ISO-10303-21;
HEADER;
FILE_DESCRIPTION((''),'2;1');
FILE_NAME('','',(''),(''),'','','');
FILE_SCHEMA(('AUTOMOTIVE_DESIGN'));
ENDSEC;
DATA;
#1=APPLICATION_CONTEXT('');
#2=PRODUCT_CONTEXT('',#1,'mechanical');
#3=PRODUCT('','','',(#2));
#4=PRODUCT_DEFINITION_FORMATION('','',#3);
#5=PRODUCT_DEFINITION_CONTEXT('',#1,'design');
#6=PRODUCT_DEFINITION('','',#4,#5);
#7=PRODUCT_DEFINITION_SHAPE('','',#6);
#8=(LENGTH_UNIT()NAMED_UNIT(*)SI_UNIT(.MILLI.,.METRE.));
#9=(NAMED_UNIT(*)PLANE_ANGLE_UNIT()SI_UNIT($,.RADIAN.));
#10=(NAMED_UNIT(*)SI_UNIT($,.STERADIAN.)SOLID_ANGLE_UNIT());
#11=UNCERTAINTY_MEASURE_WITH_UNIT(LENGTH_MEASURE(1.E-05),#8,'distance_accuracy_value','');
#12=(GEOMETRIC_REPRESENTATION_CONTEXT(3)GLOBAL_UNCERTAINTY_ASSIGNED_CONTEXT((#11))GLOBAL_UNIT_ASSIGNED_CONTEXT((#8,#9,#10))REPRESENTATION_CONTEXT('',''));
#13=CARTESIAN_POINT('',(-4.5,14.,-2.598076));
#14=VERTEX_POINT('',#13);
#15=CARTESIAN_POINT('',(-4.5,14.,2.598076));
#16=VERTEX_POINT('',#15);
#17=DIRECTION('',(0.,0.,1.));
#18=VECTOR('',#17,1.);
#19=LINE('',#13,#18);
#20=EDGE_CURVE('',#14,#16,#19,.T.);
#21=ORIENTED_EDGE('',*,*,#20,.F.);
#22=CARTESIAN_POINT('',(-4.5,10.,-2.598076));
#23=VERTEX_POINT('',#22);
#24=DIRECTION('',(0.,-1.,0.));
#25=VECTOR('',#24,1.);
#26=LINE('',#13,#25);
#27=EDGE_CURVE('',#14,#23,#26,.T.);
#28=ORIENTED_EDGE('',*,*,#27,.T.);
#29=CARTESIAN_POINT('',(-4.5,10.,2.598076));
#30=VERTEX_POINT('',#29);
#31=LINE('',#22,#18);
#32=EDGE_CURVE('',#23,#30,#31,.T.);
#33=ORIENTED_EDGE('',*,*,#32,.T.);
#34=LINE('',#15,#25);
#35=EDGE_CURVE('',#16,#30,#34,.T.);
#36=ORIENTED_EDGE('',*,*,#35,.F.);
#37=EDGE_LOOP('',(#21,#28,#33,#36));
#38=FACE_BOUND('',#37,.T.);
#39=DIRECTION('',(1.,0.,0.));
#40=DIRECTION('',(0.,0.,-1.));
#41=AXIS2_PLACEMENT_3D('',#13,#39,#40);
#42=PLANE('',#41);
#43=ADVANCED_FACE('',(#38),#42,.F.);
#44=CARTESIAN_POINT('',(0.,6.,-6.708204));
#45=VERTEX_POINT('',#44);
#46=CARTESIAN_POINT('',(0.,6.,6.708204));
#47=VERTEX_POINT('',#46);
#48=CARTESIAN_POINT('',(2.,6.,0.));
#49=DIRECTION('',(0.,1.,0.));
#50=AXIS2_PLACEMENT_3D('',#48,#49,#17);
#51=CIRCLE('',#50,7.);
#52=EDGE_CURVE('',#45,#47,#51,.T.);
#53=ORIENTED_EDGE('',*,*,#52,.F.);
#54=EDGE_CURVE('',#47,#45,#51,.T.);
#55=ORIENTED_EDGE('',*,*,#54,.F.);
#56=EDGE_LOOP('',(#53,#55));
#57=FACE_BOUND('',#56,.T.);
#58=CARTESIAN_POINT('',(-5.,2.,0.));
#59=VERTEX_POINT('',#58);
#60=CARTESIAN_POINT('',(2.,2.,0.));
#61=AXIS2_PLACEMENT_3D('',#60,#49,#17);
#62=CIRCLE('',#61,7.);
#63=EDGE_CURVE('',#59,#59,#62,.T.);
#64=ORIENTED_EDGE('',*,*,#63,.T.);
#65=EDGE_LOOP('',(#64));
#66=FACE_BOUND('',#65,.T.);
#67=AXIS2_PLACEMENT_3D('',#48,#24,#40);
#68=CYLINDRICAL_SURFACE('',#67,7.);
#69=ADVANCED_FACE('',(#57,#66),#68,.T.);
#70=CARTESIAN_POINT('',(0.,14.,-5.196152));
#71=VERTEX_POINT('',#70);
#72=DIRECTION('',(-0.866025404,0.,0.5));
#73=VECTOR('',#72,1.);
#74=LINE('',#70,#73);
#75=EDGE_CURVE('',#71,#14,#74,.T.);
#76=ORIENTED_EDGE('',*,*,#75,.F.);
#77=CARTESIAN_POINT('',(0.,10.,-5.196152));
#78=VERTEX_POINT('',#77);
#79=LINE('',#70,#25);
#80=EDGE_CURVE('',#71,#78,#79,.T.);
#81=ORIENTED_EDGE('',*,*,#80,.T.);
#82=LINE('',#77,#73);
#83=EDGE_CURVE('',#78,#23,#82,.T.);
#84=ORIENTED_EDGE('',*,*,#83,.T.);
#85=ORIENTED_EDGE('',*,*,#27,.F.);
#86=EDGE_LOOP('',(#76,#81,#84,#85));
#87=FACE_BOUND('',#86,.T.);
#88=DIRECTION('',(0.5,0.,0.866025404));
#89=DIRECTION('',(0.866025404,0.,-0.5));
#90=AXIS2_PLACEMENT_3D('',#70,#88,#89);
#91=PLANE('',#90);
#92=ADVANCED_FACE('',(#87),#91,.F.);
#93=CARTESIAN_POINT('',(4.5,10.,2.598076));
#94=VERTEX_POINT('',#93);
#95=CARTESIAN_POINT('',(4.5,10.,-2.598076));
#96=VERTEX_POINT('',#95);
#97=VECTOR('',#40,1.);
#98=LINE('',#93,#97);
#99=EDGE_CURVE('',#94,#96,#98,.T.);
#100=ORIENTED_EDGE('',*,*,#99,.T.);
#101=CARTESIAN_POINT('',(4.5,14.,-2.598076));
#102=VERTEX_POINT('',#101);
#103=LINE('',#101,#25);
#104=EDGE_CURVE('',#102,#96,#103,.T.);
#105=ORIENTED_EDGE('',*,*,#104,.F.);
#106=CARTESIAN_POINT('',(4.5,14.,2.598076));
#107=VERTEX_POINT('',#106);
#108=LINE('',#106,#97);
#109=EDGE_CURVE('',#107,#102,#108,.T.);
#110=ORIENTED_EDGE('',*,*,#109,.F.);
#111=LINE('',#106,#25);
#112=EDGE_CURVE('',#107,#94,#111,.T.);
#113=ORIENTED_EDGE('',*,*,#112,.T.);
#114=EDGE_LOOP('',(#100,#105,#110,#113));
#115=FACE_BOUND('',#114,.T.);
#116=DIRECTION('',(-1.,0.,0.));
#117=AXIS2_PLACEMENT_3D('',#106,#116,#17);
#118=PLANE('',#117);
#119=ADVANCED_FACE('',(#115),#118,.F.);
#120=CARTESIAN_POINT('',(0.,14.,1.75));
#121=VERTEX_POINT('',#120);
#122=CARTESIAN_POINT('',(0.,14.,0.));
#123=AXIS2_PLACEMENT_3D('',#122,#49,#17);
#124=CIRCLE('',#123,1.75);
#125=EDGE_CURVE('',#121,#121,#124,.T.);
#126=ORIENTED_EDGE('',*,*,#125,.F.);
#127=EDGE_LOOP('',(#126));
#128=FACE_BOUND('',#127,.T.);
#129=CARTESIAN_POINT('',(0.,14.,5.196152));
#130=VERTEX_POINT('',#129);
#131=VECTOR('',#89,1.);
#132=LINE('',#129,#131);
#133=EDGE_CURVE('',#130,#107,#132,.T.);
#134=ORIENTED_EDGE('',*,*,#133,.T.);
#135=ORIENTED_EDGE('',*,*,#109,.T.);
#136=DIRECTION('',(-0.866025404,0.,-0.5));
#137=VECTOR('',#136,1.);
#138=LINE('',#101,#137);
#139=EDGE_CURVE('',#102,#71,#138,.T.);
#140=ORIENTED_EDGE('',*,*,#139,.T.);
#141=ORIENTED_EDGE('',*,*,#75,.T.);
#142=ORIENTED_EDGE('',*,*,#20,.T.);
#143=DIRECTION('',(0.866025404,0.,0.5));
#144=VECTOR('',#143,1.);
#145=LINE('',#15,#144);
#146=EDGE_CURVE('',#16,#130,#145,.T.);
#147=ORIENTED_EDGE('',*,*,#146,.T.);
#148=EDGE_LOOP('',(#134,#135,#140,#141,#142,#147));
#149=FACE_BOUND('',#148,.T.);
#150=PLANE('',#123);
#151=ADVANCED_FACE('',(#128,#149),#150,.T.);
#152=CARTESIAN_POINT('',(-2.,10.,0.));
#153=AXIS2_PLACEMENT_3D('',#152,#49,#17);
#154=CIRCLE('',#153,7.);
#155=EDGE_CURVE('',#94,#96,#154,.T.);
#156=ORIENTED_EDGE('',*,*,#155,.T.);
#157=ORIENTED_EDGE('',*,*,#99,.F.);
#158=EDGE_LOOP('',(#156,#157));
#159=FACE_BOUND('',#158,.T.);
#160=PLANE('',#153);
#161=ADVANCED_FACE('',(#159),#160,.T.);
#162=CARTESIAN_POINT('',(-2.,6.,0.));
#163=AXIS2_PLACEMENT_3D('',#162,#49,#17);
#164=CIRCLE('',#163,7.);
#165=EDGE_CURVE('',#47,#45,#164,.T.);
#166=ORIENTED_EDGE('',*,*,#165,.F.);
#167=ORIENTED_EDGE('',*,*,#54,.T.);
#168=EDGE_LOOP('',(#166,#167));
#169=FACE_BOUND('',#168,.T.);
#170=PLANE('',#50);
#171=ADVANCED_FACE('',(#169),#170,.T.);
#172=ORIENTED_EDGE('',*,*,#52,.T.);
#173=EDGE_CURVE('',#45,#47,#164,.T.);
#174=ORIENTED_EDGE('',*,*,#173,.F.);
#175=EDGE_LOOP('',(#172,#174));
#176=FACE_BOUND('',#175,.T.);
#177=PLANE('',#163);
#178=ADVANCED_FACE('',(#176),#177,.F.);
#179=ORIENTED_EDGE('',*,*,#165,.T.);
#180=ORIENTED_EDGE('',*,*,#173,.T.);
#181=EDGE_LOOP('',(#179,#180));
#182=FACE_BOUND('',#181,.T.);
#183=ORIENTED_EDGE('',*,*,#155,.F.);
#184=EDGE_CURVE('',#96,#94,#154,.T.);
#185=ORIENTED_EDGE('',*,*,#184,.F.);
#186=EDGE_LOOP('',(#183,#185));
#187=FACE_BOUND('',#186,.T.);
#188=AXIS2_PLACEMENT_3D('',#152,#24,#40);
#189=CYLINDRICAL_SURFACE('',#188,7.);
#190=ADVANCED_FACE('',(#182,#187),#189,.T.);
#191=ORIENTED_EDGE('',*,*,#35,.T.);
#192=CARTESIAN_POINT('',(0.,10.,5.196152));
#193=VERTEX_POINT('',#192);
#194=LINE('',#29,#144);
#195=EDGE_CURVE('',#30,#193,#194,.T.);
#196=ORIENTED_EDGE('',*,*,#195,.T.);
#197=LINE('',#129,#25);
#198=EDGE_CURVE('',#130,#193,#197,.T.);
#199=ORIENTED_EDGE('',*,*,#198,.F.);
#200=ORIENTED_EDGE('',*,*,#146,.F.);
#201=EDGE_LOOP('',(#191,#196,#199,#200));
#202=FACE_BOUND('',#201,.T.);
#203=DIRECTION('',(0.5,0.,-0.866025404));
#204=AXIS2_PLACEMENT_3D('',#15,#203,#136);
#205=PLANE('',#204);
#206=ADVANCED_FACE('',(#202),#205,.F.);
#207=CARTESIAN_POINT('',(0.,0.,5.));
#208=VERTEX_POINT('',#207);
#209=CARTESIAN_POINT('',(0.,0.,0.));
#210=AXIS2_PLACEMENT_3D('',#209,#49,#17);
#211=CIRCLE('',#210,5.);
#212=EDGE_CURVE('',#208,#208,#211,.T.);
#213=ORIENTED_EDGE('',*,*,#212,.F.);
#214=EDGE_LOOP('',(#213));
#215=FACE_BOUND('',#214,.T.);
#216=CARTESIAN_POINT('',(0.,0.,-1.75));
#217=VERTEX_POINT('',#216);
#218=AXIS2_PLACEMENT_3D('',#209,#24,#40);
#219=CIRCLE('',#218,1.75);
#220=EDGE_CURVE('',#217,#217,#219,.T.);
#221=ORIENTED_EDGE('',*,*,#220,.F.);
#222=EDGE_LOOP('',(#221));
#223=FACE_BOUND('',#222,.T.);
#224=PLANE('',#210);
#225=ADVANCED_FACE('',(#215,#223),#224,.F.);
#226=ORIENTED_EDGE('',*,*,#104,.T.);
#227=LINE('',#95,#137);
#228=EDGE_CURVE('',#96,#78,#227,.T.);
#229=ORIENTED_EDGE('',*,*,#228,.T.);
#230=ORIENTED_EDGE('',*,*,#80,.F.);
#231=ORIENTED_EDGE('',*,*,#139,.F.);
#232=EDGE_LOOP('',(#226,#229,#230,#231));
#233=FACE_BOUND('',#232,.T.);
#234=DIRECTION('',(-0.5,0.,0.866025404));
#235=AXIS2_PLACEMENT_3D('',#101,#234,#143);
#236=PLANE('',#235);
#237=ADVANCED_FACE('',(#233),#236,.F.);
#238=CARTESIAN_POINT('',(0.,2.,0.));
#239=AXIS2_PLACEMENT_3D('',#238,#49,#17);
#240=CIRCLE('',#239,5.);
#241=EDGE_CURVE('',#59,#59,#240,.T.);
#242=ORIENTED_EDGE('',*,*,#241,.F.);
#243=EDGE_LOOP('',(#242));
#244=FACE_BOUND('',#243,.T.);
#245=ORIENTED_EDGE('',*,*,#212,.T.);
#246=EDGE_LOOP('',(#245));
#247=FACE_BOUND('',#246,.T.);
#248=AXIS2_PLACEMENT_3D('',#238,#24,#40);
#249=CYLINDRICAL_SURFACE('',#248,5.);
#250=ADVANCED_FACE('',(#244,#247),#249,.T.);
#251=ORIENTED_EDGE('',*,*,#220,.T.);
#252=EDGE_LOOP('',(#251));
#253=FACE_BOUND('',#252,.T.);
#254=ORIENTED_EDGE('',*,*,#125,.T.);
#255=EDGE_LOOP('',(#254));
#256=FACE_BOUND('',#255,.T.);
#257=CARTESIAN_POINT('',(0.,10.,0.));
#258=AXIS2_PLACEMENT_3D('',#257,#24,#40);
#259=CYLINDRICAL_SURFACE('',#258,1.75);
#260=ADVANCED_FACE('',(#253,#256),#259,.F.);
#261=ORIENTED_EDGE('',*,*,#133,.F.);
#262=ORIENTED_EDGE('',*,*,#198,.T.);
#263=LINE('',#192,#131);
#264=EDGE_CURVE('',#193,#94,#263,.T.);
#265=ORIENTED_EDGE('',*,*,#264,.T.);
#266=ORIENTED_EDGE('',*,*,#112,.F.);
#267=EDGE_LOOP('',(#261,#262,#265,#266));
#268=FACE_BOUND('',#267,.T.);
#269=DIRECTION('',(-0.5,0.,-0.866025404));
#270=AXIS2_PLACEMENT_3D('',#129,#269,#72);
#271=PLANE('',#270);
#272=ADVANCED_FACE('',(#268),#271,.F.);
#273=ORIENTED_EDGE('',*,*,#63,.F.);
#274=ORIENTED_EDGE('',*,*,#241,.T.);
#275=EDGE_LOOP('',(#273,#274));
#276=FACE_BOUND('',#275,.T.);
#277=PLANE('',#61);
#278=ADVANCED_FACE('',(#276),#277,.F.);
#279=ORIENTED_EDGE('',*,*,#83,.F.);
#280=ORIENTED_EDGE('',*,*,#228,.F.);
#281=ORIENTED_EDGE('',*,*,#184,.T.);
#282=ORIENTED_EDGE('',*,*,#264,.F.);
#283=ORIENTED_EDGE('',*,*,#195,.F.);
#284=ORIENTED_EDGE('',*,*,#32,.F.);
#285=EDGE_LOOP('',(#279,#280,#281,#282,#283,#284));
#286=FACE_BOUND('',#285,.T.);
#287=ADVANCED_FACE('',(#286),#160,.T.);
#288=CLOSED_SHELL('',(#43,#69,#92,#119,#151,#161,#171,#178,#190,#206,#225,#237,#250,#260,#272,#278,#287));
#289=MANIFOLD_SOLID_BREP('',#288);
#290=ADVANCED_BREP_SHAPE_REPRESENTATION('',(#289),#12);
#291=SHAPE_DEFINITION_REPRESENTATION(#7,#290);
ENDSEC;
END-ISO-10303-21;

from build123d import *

# Parameters (mm, degrees)
SKETCH1_R           = 5
BOSS_EXTRUDE1_DEPTH = 2
SKETCH2_R           = 7
BOSS_EXTRUDE2_DEPTH = 4
SKETCH4_R           = 7
BOSS_EXTRUDE4_DEPTH = 4
SKETCH5_R           = 1.75
CUT_EXTRUDE1_DEPTH  = 11
SKETCH6_R           = 1.75
BOSS_EXTRUDE5_DEPTH = 4


with BuildPart() as part:
    # Sketch1 → Boss-Extrude1 (new body)
    with BuildSketch(Plane(origin=(0, 0, 0), x_dir=(1, 0, 0), z_dir=(0, 1, 0))):
        Circle(SKETCH1_R)
    extrude(amount=BOSS_EXTRUDE1_DEPTH)

    # Sketch2 → Boss-Extrude2 (add)
    with BuildSketch(Plane(origin=(0, 2, 0), x_dir=(1, 0, 0), z_dir=(0, 1, 0))):
        with Locations((2, 0)):
            Circle(SKETCH2_R)
    extrude(amount=BOSS_EXTRUDE2_DEPTH)

    # Sketch4 → Boss-Extrude4 (add)
    with BuildSketch(Plane(origin=(0, 6, 0), x_dir=(1, 0, 0), z_dir=(0, 1, 0))):
        with Locations((-2, 0)):
            Circle(SKETCH4_R)
    extrude(amount=BOSS_EXTRUDE4_DEPTH)

    # Sketch5 → Cut-Extrude1 (cut, through all)
    with BuildSketch(Plane.XZ):
        Circle(SKETCH5_R)
    extrude(amount=-CUT_EXTRUDE1_DEPTH, mode=Mode.SUBTRACT)

    # Sketch6 → Boss-Extrude5 (add)
    with BuildSketch(Plane(origin=(0, 10, 0), x_dir=(1, 0, 0), z_dir=(0, 1, 0))):
        Polygon((-4.5, 2.598076211), (-4.5, -2.598076211), (0, -5.196152423), (4.5, -2.598076211), (4.5, 2.598076211), (0, 5.196152423), align=None)
        Circle(SKETCH6_R, mode=Mode.SUBTRACT)
    extrude(amount=BOSS_EXTRUDE5_DEPTH)


solid = part.part
